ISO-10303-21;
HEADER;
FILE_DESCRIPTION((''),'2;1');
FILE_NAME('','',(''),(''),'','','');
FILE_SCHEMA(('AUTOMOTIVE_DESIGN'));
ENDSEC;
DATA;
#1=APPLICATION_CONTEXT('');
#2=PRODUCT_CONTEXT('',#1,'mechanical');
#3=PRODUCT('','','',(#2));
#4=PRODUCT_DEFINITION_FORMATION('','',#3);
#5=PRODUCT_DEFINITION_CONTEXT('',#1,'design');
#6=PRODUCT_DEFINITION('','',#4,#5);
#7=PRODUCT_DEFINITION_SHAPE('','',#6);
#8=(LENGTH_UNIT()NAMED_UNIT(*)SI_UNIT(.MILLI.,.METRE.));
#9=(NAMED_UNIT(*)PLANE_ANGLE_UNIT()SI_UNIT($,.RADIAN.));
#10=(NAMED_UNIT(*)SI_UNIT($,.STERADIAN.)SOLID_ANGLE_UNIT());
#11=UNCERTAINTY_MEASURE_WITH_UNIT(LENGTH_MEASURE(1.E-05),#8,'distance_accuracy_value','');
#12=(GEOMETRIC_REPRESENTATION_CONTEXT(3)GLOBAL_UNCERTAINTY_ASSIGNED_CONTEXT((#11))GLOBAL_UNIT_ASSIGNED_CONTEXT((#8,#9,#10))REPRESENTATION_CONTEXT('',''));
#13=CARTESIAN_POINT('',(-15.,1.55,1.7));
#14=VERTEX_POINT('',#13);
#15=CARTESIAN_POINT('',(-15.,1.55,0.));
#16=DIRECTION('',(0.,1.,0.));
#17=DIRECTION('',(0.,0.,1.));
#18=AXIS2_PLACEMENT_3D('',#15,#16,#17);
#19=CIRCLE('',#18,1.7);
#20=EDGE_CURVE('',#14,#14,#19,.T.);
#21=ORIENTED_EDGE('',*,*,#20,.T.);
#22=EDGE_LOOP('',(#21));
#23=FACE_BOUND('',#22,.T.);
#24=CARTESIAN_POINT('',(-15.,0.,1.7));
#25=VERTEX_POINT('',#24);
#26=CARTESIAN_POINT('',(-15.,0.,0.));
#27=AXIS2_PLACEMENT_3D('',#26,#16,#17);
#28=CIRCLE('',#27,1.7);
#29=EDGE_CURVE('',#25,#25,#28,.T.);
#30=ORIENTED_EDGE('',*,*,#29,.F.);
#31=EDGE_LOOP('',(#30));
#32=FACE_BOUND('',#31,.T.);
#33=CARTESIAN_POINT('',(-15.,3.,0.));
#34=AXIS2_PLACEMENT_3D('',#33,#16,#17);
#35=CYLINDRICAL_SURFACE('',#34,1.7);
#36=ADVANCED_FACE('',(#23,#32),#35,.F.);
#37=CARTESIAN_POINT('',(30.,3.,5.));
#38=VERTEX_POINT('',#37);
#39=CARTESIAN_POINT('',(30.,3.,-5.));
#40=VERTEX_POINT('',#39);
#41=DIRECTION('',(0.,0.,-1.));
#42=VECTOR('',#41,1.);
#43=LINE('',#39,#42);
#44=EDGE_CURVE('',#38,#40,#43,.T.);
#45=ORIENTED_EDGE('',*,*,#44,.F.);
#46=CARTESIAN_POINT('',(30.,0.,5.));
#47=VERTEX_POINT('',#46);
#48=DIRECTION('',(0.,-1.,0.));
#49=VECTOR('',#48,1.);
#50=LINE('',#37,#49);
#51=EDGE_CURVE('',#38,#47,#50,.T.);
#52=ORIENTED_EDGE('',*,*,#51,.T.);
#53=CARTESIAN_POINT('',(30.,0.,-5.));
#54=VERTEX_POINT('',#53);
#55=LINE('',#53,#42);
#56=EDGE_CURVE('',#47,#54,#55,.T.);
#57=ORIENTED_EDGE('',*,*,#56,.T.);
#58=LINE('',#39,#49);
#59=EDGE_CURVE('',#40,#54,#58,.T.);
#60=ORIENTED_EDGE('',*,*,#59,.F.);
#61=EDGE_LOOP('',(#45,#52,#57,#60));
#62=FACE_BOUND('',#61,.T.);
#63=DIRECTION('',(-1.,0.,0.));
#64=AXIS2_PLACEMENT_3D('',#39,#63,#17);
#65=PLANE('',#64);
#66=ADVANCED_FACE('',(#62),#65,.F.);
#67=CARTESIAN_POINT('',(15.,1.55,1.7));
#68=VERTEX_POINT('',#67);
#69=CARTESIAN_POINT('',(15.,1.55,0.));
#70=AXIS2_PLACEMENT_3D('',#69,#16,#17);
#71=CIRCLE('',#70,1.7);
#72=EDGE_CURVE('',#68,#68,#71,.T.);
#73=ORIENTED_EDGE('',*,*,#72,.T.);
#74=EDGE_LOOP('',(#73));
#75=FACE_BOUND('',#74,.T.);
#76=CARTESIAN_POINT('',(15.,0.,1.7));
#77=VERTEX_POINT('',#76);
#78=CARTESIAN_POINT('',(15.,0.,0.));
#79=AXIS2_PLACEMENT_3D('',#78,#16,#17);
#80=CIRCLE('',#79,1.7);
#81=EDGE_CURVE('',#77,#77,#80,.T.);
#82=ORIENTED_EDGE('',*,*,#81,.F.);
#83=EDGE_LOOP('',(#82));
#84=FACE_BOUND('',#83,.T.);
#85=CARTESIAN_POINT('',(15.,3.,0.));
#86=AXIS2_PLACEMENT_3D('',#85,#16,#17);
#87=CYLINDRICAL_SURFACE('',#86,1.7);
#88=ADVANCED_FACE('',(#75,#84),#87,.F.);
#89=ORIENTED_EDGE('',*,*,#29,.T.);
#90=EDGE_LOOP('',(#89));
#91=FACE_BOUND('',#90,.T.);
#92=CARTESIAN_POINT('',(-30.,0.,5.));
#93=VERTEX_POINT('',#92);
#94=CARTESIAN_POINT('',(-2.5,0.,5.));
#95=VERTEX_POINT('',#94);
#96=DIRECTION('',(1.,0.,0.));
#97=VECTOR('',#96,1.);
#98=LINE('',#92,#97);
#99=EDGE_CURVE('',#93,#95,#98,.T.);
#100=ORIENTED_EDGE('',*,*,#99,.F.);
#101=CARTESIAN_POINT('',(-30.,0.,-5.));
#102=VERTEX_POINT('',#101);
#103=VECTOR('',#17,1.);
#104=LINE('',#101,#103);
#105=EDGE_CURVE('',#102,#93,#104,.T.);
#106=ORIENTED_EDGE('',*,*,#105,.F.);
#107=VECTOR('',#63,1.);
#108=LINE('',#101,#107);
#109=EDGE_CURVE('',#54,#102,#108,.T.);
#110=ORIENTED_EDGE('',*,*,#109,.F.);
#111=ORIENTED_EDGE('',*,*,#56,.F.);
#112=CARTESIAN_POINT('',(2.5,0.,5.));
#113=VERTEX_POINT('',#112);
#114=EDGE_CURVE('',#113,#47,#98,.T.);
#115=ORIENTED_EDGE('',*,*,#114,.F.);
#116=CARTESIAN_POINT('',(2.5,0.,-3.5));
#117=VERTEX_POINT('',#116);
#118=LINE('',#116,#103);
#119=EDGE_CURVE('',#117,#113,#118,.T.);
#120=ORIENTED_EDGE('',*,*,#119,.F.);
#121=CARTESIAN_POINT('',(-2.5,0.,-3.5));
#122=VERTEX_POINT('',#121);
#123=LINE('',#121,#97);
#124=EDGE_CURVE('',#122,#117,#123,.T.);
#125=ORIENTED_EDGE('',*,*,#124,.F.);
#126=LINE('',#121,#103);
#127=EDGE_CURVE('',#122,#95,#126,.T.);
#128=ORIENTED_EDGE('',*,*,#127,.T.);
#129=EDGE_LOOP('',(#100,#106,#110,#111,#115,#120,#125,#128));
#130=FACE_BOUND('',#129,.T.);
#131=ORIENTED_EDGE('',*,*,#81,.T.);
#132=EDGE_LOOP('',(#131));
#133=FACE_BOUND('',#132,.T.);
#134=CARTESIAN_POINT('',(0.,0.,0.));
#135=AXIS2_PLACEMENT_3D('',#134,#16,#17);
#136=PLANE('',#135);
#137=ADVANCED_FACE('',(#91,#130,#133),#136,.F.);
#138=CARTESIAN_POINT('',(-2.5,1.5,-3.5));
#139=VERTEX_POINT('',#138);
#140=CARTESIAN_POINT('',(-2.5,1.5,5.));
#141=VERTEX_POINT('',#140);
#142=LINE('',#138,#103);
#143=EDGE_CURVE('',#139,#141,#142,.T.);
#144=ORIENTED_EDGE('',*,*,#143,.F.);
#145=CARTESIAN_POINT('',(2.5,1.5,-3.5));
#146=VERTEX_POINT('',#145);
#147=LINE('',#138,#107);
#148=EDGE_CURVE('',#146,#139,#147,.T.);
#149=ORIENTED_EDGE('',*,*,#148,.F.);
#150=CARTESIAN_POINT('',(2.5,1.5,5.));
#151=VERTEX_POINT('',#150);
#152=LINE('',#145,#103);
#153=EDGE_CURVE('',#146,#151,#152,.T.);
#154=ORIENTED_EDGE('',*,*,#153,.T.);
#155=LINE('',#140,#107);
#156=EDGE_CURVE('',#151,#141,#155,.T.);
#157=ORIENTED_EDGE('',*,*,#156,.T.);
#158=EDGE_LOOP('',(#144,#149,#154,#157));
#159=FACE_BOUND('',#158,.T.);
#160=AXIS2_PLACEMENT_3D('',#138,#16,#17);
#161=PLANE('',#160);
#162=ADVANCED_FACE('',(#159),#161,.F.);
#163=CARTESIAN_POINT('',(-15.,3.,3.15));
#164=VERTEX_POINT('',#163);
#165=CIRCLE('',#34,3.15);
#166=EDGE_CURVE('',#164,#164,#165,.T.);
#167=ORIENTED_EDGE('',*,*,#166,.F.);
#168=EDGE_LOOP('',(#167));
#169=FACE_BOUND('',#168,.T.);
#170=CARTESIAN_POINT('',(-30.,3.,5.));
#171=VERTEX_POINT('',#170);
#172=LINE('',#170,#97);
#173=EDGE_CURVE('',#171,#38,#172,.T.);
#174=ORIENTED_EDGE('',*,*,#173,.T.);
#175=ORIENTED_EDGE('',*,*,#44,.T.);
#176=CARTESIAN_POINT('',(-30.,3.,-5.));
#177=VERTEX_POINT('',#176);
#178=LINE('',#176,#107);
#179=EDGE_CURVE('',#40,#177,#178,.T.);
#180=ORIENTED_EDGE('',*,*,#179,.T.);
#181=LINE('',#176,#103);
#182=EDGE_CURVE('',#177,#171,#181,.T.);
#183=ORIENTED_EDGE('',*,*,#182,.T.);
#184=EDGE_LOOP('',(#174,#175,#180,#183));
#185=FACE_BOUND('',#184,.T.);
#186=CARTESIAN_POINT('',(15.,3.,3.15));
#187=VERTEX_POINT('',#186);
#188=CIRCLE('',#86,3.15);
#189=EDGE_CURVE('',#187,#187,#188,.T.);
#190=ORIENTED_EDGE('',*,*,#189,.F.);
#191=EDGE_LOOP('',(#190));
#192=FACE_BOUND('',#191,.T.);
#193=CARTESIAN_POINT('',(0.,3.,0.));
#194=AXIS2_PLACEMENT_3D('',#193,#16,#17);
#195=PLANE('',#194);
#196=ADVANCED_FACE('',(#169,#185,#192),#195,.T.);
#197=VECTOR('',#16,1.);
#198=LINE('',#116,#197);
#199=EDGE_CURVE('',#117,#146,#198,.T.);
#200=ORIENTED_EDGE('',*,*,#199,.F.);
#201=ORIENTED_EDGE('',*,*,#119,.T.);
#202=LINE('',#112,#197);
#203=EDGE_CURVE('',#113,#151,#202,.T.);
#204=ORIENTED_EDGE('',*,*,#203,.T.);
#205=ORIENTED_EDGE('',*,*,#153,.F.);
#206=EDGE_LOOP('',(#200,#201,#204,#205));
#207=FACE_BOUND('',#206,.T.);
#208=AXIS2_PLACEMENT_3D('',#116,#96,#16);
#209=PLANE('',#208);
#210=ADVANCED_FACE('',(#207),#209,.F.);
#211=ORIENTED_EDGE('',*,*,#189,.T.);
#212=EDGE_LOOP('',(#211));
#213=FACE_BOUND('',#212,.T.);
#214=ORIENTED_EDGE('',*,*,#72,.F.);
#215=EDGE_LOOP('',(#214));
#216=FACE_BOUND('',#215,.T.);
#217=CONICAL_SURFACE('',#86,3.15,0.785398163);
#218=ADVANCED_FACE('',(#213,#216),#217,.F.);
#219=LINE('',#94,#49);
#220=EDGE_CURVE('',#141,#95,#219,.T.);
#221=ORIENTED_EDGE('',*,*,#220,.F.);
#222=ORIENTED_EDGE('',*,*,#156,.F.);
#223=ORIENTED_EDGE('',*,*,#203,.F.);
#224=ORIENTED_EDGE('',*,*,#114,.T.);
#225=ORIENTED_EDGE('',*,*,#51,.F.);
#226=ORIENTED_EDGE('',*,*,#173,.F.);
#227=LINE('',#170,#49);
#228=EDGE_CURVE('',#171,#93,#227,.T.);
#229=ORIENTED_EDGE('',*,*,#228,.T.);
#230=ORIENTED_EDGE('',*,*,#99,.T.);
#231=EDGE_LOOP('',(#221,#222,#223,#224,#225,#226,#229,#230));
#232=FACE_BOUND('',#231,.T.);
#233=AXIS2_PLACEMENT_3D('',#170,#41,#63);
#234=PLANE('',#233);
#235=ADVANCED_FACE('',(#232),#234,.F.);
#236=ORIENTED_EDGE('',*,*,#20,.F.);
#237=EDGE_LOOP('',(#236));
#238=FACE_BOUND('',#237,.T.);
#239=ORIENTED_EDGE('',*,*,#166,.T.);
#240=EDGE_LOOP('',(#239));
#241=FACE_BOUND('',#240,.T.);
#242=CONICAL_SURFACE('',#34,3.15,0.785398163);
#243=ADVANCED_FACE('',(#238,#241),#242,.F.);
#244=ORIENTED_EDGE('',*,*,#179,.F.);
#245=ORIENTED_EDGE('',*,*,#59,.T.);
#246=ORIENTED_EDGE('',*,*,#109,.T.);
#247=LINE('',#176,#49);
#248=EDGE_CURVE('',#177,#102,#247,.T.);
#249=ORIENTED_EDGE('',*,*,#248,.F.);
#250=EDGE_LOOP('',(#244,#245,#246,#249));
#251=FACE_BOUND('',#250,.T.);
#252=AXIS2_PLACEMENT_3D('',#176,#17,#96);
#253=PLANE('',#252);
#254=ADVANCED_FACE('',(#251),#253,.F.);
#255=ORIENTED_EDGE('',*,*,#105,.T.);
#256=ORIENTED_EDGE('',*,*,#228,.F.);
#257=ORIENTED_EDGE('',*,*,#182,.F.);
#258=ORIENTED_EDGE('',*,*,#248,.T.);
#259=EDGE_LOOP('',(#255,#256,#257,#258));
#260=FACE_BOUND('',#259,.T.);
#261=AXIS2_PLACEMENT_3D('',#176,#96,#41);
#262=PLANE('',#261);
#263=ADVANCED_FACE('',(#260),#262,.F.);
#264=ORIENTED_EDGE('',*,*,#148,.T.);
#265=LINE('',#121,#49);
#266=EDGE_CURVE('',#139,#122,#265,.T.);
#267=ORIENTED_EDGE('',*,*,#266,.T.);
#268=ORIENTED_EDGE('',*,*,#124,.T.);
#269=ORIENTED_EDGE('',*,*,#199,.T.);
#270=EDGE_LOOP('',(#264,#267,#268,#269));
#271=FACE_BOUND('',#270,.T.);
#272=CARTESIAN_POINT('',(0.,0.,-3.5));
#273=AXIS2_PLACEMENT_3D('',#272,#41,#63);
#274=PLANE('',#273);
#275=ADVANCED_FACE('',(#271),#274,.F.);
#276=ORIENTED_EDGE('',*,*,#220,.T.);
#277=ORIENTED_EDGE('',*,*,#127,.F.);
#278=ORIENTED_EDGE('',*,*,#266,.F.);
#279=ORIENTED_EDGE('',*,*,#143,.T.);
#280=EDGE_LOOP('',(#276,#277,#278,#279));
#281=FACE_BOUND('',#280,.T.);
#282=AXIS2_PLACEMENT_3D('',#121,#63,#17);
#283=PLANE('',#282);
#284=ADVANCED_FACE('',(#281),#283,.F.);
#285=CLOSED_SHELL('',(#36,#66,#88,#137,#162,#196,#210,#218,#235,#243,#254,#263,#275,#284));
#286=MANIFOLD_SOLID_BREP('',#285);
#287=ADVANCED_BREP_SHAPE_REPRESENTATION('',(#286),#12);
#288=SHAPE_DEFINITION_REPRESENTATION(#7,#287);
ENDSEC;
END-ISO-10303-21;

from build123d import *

# Parameters (mm, degrees)
SKETCH1_W                                           = 60
SKETCH1_H                                           = 10
BOSS_EXTRUDE1_DEPTH                                 = 3
CSK_FOR_M3_COUNTERSUNK_FLAT_HEAD_SCREW1_D           = 3.4
CSK_FOR_M3_COUNTERSUNK_FLAT_HEAD_SCREW1_DEPTH       = 7.5
CSK_FOR_M3_COUNTERSUNK_FLAT_HEAD_SCREW1_CSINK_D     = 6.3
CSK_FOR_M3_COUNTERSUNK_FLAT_HEAD_SCREW1_CSINK_ANGLE = 90
CSK_FOR_M3_COUNTERSUNK_FLAT_HEAD_SCREW1_TIP         = 1.021463052
SKETCH4_W                                           = 5
SKETCH4_H                                           = 1.5
CUT_EXTRUDE1_DEPTH                                  = 8.5


with BuildPart() as part:
    # Sketch1 → Boss-Extrude1 (new body)
    with BuildSketch(Plane(origin=(0, 0, 0), x_dir=(1, 0, 0), z_dir=(0, 1, 0))):
        Rectangle(SKETCH1_W, SKETCH1_H)
    extrude(amount=BOSS_EXTRUDE1_DEPTH)

    # CSK for M3 Countersunk Flat Head Screw1
    with Locations(Plane(origin=(-15, 3, 0), x_dir=(0, 0, 1), z_dir=(0, 1, 0))):
        with Locations((0, 0), (0, 30)):
            CounterSinkHole(CSK_FOR_M3_COUNTERSUNK_FLAT_HEAD_SCREW1_D / 2, CSK_FOR_M3_COUNTERSUNK_FLAT_HEAD_SCREW1_CSINK_D / 2, depth=CSK_FOR_M3_COUNTERSUNK_FLAT_HEAD_SCREW1_DEPTH, counter_sink_angle=CSK_FOR_M3_COUNTERSUNK_FLAT_HEAD_SCREW1_CSINK_ANGLE)
            with Locations((0, 0, -(CSK_FOR_M3_COUNTERSUNK_FLAT_HEAD_SCREW1_DEPTH + CSK_FOR_M3_COUNTERSUNK_FLAT_HEAD_SCREW1_TIP / 2))):  # 118° drill point
                Cone(0, CSK_FOR_M3_COUNTERSUNK_FLAT_HEAD_SCREW1_D / 2, CSK_FOR_M3_COUNTERSUNK_FLAT_HEAD_SCREW1_TIP, mode=Mode.SUBTRACT)

    # Sketch4 → Cut-Extrude1 (cut)
    with BuildSketch(Plane.XY.offset(5)):
        with Locations((0, 0.75)):
            Rectangle(SKETCH4_W, SKETCH4_H)
    extrude(amount=-CUT_EXTRUDE1_DEPTH, mode=Mode.SUBTRACT)


solid = part.part
